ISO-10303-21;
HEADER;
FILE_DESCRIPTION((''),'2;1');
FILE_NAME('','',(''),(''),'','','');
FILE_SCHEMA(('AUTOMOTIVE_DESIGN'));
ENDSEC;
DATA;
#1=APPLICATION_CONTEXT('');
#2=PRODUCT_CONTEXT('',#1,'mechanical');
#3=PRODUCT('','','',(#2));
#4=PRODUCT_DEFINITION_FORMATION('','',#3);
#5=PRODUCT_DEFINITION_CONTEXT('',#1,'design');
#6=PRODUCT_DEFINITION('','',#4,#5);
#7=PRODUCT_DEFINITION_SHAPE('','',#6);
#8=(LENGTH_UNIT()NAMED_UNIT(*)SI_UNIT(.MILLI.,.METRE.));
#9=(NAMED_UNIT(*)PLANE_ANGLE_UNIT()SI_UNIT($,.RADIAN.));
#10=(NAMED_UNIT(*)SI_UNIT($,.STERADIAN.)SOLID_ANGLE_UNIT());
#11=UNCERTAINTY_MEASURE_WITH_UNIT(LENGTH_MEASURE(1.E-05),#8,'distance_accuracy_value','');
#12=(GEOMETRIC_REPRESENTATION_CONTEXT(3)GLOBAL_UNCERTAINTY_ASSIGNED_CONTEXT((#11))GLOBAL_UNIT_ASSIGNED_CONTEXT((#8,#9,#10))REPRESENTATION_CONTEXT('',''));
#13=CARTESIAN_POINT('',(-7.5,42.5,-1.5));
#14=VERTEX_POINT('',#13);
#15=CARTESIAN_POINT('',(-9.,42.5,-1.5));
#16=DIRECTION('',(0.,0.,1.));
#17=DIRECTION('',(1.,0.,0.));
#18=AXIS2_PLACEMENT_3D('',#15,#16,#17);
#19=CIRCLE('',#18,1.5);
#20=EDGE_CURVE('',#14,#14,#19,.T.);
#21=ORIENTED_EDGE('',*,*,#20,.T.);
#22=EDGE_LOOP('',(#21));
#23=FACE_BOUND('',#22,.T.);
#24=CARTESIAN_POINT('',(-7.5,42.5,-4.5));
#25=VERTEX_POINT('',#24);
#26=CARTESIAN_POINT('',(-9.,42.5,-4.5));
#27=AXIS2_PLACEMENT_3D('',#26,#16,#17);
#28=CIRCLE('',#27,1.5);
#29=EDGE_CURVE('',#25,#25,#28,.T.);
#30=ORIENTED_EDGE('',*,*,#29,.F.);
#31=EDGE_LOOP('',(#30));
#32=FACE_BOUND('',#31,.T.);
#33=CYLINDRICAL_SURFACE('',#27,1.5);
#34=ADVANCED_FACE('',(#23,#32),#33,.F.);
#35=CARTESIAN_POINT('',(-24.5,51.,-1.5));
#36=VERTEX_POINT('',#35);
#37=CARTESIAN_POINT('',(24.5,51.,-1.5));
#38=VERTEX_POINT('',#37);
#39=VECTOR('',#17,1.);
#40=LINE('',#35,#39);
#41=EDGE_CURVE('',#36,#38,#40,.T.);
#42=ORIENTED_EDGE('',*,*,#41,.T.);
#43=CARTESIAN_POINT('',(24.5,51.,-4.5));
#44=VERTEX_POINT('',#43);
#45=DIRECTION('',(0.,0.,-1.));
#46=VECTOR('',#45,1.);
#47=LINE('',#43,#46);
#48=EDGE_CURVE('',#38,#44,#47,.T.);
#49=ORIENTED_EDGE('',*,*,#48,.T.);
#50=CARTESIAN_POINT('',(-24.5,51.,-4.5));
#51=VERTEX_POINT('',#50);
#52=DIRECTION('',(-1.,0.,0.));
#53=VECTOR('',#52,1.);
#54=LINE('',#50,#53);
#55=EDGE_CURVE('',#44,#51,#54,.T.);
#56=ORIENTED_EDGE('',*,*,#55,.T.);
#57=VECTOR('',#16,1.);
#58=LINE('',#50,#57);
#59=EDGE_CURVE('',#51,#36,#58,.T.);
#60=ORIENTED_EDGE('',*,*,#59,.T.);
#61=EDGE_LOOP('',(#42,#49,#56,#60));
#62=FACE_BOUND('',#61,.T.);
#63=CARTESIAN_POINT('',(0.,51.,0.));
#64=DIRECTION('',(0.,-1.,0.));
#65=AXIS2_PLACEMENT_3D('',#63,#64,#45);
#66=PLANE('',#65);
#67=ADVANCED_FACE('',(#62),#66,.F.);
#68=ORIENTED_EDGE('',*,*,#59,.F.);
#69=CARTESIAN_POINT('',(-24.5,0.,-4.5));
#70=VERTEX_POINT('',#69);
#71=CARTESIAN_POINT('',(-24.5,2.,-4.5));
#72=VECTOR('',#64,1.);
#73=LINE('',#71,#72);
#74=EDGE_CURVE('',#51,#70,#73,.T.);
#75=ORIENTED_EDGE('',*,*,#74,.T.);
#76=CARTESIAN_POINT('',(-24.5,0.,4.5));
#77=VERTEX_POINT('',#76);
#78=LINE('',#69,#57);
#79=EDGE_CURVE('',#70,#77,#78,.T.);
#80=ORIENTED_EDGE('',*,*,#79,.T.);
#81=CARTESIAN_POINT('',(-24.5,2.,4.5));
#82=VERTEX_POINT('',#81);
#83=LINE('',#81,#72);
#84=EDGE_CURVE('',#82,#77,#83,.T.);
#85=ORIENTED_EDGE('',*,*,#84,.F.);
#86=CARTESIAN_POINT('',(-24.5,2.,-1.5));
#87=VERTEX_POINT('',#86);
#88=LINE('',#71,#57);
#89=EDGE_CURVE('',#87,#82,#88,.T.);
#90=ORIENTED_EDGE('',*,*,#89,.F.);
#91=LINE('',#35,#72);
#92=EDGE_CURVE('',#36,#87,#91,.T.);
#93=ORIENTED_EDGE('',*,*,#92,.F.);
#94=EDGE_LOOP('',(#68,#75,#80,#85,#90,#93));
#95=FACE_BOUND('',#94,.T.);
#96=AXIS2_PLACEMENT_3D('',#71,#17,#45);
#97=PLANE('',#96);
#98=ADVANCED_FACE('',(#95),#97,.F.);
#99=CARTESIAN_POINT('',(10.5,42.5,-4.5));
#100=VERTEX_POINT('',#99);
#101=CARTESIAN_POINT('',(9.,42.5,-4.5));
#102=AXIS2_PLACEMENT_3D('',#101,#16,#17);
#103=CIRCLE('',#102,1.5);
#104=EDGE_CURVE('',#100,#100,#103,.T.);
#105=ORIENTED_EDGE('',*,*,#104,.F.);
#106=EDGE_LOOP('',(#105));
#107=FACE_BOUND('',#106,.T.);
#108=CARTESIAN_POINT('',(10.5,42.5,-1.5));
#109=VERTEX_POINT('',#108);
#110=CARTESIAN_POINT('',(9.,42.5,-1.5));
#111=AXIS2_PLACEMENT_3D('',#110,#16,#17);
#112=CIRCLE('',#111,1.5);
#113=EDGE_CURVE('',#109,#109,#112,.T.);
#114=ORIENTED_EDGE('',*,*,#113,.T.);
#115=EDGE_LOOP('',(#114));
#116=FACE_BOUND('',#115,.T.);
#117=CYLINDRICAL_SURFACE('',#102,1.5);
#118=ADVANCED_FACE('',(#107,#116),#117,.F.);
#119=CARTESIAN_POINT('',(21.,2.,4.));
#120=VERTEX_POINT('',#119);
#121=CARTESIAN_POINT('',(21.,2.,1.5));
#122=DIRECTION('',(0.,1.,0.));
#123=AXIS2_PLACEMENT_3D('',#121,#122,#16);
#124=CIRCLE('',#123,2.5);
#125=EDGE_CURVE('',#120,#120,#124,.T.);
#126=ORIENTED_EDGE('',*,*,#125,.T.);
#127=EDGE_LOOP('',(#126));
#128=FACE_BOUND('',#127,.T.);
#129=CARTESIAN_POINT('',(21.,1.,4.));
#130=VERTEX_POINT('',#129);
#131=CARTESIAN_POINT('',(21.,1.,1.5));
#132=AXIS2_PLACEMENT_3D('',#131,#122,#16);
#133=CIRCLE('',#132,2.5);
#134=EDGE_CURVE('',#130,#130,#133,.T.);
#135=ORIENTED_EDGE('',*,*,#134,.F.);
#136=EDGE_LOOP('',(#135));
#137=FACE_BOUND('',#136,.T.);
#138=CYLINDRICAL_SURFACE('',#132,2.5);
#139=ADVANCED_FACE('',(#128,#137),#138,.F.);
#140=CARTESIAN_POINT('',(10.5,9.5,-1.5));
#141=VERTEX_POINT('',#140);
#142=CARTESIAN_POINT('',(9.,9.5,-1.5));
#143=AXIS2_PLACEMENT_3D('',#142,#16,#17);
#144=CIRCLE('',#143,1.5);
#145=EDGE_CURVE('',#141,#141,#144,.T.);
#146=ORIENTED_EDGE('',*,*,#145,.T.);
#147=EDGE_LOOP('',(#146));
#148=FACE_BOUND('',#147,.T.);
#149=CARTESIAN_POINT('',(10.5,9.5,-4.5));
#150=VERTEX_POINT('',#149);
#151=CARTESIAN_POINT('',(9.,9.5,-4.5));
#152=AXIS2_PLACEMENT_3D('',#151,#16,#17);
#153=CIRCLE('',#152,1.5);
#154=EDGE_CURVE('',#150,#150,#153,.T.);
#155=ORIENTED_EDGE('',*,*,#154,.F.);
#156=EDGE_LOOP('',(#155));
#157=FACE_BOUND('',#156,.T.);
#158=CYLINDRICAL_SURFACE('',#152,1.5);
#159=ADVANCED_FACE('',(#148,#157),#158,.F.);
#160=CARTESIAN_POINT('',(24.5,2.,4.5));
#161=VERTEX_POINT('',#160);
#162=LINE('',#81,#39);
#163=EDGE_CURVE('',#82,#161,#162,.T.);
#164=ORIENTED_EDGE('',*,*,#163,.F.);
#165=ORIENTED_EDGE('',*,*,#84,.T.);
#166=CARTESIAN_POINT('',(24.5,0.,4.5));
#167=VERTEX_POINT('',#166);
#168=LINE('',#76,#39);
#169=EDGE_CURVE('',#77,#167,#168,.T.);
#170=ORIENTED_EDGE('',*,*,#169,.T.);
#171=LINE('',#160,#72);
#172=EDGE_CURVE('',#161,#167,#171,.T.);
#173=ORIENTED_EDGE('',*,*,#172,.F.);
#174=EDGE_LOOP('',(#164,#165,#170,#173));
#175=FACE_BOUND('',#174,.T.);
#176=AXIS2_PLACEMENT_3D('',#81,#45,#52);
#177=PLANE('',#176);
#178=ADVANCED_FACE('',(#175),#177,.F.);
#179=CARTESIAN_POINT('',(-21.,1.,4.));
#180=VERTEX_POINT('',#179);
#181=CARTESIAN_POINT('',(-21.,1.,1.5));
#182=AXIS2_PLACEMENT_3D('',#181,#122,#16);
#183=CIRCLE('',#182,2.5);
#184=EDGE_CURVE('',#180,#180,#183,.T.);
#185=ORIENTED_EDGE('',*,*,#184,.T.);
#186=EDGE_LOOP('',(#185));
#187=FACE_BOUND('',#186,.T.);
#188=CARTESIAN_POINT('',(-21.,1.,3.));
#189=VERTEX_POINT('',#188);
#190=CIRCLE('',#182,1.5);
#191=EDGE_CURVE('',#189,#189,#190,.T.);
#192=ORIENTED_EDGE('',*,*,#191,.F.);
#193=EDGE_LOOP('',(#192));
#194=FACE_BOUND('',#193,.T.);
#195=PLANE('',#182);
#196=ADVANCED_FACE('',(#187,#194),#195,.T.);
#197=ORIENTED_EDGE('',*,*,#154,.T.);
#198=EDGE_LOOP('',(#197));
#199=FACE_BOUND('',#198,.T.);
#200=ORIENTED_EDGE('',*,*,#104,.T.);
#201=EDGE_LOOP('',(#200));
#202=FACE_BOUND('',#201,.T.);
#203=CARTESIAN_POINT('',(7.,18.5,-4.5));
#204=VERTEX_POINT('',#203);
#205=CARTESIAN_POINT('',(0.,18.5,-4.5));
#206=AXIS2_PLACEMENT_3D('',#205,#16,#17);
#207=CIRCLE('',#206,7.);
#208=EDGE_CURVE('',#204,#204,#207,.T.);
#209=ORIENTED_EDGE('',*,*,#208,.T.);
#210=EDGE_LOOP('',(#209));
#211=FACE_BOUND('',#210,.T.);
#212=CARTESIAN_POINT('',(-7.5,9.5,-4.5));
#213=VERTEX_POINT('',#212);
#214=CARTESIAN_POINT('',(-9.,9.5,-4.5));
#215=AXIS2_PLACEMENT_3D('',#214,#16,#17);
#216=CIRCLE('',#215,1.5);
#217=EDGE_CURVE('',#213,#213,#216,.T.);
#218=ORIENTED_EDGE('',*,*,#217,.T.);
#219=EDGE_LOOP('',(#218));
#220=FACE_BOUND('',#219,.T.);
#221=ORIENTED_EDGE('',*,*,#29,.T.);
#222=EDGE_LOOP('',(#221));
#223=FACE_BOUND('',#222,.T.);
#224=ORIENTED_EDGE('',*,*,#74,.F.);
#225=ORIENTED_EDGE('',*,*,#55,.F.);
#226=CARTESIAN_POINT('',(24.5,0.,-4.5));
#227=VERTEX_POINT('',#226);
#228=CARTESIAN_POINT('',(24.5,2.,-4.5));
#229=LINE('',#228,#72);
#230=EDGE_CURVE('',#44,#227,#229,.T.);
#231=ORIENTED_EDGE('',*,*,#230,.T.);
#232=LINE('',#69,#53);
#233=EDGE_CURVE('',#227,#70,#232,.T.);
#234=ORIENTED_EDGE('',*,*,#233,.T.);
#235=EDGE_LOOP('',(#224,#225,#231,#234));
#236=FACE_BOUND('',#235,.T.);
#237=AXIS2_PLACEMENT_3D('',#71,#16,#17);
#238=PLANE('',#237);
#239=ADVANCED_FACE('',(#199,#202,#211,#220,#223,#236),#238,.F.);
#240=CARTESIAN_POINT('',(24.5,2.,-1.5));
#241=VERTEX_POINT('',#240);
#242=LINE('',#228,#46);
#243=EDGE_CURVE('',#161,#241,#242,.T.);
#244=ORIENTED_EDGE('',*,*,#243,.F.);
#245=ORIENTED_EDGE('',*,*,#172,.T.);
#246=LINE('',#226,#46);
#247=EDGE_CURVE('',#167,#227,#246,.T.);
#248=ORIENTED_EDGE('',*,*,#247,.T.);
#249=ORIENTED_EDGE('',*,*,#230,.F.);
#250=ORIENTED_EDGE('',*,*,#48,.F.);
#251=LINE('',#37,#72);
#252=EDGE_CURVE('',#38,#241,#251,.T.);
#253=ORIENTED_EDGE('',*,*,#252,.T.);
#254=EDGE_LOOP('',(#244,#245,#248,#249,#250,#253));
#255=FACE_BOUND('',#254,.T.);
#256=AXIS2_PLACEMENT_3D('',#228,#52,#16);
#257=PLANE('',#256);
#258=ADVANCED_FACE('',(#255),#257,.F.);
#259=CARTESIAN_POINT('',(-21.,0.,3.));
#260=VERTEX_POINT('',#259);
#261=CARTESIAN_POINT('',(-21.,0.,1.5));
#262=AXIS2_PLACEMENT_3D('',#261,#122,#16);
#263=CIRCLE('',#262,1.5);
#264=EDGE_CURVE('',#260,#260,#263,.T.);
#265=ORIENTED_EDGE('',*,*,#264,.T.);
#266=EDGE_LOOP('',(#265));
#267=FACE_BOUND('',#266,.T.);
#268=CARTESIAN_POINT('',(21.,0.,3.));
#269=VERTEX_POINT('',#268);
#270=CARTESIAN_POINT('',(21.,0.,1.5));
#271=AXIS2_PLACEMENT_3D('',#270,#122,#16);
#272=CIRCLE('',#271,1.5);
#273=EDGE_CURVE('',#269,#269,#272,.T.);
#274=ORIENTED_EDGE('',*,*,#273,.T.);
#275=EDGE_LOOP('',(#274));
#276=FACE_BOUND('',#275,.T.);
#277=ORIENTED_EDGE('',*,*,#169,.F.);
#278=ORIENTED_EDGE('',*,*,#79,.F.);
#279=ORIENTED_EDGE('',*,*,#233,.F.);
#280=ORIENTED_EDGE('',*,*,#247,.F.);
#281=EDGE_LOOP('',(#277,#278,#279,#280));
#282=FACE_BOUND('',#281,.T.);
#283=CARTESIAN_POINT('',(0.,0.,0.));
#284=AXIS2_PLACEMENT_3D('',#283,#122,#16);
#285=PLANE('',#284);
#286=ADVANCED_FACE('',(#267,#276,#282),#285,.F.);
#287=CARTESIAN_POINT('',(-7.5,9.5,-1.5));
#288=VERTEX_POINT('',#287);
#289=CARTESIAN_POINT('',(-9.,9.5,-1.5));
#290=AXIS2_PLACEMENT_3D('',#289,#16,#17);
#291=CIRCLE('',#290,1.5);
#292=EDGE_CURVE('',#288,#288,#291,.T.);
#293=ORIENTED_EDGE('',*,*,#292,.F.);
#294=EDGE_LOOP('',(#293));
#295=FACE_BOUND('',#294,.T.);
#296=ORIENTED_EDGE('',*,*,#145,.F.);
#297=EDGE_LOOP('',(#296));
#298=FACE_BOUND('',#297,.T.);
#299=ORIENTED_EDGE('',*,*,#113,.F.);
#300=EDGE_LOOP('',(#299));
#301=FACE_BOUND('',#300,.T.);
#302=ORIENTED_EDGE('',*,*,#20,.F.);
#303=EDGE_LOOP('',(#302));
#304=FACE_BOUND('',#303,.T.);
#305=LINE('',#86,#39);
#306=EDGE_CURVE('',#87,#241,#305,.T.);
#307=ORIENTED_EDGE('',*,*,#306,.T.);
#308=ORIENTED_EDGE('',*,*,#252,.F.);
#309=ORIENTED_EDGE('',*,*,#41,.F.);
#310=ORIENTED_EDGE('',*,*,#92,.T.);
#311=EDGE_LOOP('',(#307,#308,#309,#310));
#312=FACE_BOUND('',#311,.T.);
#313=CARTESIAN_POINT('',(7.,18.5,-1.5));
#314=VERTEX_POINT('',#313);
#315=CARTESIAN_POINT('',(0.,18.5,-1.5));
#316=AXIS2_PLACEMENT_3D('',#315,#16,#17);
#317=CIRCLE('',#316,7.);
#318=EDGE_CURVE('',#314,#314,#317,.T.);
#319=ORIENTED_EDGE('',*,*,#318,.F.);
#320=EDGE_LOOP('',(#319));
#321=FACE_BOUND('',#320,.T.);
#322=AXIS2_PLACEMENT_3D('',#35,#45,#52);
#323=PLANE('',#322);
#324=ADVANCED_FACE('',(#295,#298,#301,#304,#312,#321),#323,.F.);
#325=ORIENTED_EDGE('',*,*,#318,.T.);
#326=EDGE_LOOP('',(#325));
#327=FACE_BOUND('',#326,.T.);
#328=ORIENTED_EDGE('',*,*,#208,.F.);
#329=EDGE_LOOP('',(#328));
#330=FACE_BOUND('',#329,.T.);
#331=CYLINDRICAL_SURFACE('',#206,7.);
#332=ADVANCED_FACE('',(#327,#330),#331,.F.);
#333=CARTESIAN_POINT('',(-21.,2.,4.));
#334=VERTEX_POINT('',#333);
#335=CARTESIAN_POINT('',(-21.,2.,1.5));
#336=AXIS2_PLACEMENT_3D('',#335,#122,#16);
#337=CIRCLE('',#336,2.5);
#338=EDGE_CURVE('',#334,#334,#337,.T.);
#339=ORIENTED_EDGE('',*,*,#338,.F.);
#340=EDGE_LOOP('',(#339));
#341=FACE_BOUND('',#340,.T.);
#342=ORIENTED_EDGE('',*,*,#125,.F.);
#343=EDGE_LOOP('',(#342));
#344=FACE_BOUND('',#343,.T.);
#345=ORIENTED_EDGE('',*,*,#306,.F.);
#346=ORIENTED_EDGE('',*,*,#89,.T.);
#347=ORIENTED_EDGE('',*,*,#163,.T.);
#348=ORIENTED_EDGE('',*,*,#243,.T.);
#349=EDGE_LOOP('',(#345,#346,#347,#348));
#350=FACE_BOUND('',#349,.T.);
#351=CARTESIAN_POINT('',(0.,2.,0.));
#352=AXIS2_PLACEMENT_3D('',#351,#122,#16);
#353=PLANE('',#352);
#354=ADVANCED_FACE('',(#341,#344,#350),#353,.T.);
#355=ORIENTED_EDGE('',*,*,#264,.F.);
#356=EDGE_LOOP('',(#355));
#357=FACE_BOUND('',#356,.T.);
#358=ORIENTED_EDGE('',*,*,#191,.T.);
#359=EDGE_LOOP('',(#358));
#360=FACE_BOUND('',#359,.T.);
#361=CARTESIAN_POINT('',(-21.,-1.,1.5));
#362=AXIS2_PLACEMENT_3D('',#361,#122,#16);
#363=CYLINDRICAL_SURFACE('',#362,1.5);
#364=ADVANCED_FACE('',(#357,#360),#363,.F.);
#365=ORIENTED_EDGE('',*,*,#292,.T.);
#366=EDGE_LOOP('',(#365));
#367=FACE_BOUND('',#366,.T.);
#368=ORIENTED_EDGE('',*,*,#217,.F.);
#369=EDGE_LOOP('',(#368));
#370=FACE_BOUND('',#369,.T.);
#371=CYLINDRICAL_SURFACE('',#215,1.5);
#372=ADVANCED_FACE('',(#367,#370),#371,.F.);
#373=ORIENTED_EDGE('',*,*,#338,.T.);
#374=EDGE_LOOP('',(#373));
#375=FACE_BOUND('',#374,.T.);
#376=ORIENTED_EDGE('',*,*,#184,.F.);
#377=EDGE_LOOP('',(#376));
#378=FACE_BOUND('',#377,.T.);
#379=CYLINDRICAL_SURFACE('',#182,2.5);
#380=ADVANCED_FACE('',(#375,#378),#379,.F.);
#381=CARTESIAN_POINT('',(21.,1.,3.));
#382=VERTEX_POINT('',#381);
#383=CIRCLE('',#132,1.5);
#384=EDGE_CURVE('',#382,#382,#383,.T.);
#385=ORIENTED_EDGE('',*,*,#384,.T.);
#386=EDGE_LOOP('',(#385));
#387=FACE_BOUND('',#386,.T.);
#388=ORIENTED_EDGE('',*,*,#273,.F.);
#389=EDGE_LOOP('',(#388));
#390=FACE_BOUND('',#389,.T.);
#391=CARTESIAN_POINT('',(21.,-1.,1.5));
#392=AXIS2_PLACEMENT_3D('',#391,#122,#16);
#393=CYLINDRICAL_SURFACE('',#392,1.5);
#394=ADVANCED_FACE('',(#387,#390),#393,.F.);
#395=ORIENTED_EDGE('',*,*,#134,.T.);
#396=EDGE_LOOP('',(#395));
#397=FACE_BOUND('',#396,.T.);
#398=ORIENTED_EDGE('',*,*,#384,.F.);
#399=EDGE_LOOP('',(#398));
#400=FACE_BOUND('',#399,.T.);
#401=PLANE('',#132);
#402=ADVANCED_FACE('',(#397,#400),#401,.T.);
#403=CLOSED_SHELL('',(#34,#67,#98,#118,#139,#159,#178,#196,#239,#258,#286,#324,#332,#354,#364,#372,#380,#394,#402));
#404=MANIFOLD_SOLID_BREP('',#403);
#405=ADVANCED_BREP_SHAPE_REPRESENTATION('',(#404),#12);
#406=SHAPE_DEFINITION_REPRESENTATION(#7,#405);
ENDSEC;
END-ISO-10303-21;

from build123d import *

# Parameters (mm, degrees)
SKETCH1_W           = 49
SKETCH1_H           = 9
BOSS_EXTRUDE1_DEPTH = 2
SKETCH2_W           = 49
SKETCH2_H           = 3
BOSS_EXTRUDE2_DEPTH = 49
SKETCH3_R           = 1.5
SKETCH3_R_2         = 7
CUT_EXTRUDE1_DEPTH  = 3
SKETCH4_R           = 2.5
CUT_EXTRUDE2_DEPTH  = 1
SKETCH5_R           = 1.5
CUT_EXTRUDE3_DEPTH  = 2
SKETCH6_R           = 1.5
CUT_EXTRUDE4_DEPTH  = 2


with BuildPart() as part:
    # Sketch1 → Boss-Extrude1 (new body)
    with BuildSketch(Plane(origin=(0, 0, 0), x_dir=(1, 0, 0), z_dir=(0, 1, 0))):
        Rectangle(SKETCH1_W, SKETCH1_H)
    extrude(amount=BOSS_EXTRUDE1_DEPTH)

    # Sketch2 → Boss-Extrude2 (add)
    with BuildSketch(Plane(origin=(0, 2, 0), x_dir=(1, 0, 0), z_dir=(0, 1, 0))):
        with Locations((0, 3)):
            Rectangle(SKETCH2_W, SKETCH2_H)
    extrude(amount=BOSS_EXTRUDE2_DEPTH)

    # Sketch3 → Cut-Extrude1 (cut)
    with BuildSketch(Plane.XY.offset(-1.5)):
        with Locations((-9, 9.5)):
            Circle(SKETCH3_R)
        with Locations((9, 9.5)):
            Circle(SKETCH3_R)
        with Locations((-9, 42.5)):
            Circle(SKETCH3_R)
        with Locations((9, 42.5)):
            Circle(SKETCH3_R)
        with Locations((0, 18.5)):
            Circle(SKETCH3_R_2)
    extrude(amount=-CUT_EXTRUDE1_DEPTH, mode=Mode.SUBTRACT)

    # Sketch4 → Cut-Extrude2 (cut)
    with BuildSketch(Plane(origin=(0, 2, 0), x_dir=(1, 0, 0), z_dir=(0, 1, 0))):
        with Locations(Location((-21, -1.5, 0), (0, 0, 270))):
            Circle(SKETCH4_R)
        with Locations(Location((21, -1.5, 0), (0, 0, 270))):
            Circle(SKETCH4_R)
    extrude(amount=-CUT_EXTRUDE2_DEPTH, mode=Mode.SUBTRACT)

    # Sketch5 → Cut-Extrude3 (cut)
    with BuildSketch(Plane(origin=(0, 1, 0), x_dir=(1, 0, 0), z_dir=(0, 1, 0))):
        with Locations(Location((-21, -1.5, 0), (0, 0, 270))):
            Circle(SKETCH5_R)
    extrude(amount=-CUT_EXTRUDE3_DEPTH, mode=Mode.SUBTRACT)

    # Sketch6 → Cut-Extrude4 (cut)
    with BuildSketch(Plane(origin=(0, 1, 0), x_dir=(1, 0, 0), z_dir=(0, 1, 0))):
        with Locations(Location((21, -1.5, 0), (0, 0, 270))):
            Circle(SKETCH6_R)
    extrude(amount=-CUT_EXTRUDE4_DEPTH, mode=Mode.SUBTRACT)


solid = part.part
